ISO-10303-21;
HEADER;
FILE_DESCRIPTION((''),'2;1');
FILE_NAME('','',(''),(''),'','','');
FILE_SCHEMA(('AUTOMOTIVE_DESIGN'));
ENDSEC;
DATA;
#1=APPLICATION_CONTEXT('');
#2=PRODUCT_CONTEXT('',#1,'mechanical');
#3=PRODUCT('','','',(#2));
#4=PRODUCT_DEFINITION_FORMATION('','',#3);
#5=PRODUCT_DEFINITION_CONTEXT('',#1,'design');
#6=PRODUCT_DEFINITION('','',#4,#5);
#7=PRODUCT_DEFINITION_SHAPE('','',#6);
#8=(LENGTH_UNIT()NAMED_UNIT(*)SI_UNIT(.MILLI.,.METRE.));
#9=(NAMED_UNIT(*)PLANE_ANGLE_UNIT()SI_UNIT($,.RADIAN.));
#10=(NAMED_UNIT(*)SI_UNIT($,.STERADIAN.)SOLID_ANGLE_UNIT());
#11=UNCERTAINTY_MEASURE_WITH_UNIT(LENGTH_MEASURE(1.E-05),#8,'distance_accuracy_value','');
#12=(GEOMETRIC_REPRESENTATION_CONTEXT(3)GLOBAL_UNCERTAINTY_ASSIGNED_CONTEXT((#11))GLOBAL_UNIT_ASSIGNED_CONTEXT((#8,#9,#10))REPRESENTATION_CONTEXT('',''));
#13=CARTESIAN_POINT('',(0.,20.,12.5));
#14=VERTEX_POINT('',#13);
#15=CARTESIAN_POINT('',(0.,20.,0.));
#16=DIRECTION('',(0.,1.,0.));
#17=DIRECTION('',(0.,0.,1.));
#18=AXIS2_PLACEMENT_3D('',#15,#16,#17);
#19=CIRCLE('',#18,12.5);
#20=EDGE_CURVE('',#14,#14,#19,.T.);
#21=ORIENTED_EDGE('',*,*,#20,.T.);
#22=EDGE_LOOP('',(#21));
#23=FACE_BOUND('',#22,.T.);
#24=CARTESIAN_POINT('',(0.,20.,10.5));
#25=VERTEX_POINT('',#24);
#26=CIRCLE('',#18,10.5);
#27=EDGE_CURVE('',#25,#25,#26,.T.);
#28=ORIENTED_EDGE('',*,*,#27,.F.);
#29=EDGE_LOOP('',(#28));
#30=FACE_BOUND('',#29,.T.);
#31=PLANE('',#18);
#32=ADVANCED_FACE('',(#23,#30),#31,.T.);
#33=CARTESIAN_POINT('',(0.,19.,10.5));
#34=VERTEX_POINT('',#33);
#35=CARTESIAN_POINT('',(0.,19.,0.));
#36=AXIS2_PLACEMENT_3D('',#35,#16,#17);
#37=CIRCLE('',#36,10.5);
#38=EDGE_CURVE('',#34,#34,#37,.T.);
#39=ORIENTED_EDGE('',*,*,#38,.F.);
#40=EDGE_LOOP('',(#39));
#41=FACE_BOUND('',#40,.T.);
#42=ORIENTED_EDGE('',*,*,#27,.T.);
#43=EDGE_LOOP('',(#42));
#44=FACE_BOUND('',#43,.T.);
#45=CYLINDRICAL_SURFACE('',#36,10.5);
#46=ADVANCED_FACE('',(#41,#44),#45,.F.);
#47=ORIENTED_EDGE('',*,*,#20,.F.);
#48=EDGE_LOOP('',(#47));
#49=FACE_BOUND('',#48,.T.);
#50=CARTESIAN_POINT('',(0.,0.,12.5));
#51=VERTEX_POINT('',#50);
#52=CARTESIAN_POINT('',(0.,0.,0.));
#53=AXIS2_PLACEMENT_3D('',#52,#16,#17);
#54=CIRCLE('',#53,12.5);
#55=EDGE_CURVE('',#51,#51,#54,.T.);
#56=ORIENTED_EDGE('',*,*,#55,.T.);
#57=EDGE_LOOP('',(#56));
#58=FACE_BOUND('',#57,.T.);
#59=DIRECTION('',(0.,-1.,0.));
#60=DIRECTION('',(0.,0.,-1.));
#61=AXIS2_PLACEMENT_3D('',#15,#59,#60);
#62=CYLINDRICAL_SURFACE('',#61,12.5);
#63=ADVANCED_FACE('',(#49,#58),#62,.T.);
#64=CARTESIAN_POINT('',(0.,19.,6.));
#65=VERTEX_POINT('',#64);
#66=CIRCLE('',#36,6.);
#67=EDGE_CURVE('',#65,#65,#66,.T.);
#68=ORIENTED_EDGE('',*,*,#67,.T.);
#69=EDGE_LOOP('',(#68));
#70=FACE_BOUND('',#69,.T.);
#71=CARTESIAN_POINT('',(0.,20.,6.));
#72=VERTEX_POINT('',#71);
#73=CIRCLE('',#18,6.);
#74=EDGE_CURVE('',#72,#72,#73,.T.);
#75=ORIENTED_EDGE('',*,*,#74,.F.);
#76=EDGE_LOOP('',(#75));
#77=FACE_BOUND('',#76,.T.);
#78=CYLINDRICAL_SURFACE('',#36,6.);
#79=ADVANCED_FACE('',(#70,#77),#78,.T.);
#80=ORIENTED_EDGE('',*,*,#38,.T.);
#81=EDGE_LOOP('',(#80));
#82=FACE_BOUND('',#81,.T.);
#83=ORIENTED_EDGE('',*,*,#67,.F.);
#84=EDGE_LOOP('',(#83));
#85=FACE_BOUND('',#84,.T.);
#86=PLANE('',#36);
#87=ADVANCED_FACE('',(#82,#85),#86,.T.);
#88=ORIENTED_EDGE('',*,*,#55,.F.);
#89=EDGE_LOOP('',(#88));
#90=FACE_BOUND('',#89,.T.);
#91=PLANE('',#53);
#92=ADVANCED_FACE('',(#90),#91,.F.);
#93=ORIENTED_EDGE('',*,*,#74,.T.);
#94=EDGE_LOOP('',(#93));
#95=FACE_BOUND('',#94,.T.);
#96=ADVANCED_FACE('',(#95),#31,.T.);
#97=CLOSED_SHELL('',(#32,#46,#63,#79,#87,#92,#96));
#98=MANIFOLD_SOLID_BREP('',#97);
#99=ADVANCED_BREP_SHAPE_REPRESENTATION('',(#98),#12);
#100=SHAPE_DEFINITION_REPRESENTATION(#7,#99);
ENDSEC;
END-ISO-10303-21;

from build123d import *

# Parameters (mm, degrees)
SKETCH1_R           = 12.5
BOSS_EXTRUDE1_DEPTH = 20
SKETCH2_R           = 10.5
SKETCH2_R_2         = 6
CUT_EXTRUDE1_DEPTH  = 1


with BuildPart() as part:
    # Sketch1 → Boss-Extrude1 (new body)
    with BuildSketch(Plane(origin=(0, 0, 0), x_dir=(1, 0, 0), z_dir=(0, 1, 0))):
        with Locations(Location((0, 0, 0), (0, 0, 270))):
            Circle(SKETCH1_R)
    extrude(amount=BOSS_EXTRUDE1_DEPTH)

    # Sketch2 → Cut-Extrude1 (cut)
    with BuildSketch(Plane(origin=(0, 20, 0), x_dir=(1, 0, 0), z_dir=(0, 1, 0))):
        with Locations(Location((0, 0, 0), (0, 0, 270))):
            Circle(SKETCH2_R)
        with Locations(Location((0, 0, 0), (0, 0, 270))):
            Circle(SKETCH2_R_2, mode=Mode.SUBTRACT)
    extrude(amount=-CUT_EXTRUDE1_DEPTH, mode=Mode.SUBTRACT)


solid = part.part
